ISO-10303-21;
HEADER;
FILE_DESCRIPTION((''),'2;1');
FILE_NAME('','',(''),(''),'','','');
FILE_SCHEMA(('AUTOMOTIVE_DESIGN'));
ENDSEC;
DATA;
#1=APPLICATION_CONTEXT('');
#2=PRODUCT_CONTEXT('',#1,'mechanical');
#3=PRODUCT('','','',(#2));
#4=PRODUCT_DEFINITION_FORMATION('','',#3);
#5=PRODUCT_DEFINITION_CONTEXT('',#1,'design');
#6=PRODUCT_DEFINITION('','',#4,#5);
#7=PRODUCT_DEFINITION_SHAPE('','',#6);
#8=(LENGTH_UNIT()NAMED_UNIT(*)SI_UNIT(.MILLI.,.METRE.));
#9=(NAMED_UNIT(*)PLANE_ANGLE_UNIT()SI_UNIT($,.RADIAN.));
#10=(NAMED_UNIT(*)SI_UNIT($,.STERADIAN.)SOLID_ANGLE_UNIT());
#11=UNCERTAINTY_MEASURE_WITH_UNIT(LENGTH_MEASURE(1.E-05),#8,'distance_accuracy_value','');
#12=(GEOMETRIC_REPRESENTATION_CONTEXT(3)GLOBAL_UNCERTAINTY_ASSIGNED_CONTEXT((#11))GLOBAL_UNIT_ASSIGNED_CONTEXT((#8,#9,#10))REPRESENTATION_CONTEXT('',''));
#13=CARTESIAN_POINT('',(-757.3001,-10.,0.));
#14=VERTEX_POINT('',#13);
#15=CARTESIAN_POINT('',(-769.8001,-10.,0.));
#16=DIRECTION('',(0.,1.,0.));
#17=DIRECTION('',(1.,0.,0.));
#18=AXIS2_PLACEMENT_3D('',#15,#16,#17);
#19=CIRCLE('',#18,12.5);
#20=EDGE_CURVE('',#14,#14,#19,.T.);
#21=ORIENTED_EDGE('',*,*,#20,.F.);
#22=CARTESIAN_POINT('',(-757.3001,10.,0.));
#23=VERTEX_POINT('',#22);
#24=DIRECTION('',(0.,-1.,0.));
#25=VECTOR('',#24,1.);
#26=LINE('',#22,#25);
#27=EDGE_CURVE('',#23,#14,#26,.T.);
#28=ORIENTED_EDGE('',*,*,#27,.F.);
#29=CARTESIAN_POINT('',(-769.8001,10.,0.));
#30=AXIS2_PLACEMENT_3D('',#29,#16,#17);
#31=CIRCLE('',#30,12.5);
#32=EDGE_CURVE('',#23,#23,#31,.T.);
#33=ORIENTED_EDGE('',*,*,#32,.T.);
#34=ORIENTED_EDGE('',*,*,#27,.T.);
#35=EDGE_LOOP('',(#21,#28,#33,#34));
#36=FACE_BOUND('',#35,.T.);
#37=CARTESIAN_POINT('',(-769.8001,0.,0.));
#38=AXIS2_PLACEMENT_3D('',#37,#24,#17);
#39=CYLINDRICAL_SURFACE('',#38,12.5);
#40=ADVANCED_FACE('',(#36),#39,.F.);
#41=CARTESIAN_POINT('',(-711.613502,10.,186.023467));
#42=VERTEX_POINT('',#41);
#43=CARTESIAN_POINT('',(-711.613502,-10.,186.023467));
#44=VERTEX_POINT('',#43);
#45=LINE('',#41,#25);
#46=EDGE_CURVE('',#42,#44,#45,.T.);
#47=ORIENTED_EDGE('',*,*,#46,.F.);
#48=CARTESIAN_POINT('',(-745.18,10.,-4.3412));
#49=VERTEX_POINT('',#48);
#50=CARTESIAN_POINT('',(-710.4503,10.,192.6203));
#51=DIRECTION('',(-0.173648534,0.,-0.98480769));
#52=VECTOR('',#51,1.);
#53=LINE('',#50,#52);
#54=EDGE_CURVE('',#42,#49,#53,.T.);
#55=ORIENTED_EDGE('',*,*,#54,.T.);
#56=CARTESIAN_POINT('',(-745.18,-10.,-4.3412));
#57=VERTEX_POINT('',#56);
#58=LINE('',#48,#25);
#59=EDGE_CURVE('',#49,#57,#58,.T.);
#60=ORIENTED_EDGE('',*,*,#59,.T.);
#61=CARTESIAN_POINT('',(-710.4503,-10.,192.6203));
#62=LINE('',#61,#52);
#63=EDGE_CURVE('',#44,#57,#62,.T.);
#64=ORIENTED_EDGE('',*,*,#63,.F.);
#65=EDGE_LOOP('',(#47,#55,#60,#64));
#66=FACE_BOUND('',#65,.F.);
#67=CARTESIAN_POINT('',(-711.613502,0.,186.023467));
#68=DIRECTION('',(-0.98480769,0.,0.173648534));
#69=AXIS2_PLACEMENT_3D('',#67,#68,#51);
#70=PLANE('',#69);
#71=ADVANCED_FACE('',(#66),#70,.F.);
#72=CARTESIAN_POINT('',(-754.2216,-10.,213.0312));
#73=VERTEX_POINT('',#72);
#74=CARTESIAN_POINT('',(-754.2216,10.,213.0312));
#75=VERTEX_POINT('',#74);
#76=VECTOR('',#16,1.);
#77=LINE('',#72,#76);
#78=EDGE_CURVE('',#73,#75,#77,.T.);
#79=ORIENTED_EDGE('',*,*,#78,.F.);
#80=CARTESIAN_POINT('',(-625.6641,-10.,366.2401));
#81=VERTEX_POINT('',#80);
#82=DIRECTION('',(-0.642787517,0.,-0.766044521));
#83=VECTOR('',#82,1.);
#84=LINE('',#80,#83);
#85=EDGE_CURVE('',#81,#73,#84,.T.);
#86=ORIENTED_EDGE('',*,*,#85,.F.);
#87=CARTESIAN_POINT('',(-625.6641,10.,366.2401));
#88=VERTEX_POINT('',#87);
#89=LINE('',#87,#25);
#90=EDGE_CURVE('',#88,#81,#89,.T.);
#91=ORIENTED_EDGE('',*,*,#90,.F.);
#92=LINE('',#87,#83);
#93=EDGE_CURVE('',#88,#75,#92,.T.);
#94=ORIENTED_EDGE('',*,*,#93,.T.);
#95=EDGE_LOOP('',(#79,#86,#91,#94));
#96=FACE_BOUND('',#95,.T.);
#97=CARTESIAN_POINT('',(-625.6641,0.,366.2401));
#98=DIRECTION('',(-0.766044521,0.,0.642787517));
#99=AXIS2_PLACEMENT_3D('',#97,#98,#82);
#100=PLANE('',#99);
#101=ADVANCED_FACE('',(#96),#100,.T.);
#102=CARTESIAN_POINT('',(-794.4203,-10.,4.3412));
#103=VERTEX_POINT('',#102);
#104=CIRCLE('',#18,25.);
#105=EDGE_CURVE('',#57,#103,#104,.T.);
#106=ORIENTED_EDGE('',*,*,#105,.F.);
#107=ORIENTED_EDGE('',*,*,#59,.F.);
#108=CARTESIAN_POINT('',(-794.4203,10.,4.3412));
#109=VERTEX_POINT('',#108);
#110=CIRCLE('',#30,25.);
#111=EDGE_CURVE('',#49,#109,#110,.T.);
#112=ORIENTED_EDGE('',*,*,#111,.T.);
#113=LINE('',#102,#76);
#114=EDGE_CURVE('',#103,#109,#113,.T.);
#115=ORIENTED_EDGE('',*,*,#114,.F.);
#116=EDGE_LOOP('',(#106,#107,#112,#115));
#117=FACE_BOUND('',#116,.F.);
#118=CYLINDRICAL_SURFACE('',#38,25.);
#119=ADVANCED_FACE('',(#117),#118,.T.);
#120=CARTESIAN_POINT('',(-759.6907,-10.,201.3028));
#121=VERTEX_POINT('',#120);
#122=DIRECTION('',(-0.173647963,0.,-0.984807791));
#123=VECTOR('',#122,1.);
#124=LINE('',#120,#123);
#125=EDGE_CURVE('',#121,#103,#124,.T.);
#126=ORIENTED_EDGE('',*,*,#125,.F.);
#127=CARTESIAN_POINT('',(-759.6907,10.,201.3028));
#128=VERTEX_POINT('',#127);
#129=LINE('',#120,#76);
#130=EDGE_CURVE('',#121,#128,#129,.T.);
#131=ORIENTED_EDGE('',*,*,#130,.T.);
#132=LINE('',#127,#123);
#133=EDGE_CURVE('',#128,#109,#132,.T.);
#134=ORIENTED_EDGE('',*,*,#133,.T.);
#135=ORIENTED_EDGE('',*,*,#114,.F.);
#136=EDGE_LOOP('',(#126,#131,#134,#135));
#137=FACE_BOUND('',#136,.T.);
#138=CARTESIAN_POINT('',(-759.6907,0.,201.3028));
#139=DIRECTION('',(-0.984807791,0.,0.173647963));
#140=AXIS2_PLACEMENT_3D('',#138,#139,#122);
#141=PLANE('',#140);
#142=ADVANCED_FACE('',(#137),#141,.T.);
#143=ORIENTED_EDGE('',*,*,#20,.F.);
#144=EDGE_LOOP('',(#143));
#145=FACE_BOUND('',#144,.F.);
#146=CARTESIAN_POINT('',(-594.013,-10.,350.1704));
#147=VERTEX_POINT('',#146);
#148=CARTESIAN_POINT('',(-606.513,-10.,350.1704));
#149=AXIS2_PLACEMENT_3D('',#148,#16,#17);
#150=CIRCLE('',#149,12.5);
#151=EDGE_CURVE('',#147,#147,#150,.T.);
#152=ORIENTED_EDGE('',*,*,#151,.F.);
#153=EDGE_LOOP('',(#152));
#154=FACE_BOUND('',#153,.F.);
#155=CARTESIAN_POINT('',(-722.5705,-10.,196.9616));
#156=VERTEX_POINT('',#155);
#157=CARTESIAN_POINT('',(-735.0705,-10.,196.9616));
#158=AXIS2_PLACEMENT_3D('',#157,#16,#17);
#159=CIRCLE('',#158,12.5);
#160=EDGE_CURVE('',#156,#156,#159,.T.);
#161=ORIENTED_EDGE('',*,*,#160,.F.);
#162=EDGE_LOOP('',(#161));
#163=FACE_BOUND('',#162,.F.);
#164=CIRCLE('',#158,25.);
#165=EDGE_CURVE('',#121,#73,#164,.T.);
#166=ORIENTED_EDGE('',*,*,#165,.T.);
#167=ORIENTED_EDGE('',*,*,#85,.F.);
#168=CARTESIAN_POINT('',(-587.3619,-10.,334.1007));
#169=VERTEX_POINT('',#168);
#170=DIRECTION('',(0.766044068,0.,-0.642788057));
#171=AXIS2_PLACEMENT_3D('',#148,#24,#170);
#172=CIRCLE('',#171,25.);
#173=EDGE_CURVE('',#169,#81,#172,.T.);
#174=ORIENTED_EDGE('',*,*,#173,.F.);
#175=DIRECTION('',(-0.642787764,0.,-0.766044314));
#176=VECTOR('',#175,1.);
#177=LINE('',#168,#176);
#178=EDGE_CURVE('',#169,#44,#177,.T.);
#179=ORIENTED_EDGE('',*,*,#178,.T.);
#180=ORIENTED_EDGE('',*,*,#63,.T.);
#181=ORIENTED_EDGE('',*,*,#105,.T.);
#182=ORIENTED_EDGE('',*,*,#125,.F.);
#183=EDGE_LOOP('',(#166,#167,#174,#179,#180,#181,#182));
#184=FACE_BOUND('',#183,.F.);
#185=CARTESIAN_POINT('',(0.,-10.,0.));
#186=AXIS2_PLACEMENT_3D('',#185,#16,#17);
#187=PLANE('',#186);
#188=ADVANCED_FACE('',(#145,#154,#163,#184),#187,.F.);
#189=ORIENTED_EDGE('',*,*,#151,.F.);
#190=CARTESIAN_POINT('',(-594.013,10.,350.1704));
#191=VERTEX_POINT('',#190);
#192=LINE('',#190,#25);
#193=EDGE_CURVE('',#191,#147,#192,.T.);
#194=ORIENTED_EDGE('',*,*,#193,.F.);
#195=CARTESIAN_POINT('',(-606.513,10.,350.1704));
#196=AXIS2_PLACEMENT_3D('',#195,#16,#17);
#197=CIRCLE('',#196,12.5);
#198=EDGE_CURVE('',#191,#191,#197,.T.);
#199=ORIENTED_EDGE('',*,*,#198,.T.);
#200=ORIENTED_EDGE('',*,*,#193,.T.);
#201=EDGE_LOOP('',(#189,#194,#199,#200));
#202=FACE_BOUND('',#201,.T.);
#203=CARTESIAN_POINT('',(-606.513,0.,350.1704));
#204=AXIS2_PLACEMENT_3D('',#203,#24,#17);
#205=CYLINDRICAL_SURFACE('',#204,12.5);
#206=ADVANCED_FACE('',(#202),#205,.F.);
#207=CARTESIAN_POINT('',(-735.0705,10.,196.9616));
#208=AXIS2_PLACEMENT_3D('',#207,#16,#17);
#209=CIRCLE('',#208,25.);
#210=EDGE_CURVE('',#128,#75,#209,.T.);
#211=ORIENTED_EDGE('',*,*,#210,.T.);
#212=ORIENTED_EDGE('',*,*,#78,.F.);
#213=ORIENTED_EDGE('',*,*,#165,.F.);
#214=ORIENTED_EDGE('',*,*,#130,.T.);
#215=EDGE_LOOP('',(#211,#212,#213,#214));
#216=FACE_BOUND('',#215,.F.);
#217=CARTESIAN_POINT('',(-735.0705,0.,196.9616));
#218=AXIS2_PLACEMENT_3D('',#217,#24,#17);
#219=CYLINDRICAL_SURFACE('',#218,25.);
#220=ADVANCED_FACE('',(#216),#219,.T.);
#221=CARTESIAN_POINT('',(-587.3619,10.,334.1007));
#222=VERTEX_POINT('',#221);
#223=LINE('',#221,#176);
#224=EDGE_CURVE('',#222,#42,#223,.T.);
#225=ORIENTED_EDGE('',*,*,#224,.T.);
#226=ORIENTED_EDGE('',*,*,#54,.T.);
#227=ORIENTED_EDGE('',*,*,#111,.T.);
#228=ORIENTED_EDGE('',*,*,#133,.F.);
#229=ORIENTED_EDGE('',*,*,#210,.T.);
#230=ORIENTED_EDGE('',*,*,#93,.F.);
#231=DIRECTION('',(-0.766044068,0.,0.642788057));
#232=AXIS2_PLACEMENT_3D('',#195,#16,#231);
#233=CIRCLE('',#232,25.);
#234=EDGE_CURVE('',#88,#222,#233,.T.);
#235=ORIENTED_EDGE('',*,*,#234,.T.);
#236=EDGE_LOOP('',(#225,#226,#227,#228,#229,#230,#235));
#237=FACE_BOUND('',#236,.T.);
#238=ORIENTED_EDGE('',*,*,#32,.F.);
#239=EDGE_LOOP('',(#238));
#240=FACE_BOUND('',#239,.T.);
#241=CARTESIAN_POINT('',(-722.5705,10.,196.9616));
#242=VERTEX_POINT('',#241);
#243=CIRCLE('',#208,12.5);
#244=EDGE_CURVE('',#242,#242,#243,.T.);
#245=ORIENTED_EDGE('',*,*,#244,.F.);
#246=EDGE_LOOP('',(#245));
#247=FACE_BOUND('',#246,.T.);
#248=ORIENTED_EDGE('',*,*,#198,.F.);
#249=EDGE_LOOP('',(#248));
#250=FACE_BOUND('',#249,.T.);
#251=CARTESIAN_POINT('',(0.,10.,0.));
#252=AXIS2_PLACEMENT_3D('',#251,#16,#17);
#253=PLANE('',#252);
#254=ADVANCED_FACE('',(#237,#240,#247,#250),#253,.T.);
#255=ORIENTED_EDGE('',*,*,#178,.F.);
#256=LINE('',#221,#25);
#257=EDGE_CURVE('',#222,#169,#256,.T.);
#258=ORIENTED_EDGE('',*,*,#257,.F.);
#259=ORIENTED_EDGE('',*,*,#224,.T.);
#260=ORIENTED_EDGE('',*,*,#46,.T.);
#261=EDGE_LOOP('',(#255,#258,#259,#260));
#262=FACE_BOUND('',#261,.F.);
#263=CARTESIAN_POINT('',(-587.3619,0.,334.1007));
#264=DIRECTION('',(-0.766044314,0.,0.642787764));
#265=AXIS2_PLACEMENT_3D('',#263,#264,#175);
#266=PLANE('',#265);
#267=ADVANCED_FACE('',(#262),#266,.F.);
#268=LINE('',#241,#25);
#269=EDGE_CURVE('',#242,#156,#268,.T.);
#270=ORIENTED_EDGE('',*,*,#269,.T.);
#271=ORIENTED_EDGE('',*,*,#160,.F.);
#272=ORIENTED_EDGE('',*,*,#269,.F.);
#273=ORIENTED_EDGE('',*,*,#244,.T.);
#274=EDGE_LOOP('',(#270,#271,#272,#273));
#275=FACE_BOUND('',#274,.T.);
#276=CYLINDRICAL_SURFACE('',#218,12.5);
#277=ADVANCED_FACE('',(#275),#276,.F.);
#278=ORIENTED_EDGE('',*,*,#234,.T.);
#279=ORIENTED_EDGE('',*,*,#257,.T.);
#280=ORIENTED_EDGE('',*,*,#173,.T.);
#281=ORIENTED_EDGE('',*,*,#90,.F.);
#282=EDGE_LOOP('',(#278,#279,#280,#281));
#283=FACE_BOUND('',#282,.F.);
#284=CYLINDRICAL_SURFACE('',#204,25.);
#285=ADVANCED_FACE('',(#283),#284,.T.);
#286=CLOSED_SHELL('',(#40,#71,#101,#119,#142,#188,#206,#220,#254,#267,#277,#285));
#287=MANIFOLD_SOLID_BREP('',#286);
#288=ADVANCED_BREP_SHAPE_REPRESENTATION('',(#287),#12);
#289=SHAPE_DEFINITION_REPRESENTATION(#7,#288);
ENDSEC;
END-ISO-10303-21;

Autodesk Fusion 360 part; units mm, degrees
sketch "Sketch1" plane through (0, 0, 0) normal (0, 1, 0) x (1, 0, 0)
  line L0 (0, 0) -> (-735.0705, 0) construction
  line L1 (0, 0) -> (-636.5897, -367.5353) construction
  line L2 (0, 0) -> (-735.0705, -196.9616) construction
  circle A0 centre (-735.0705, -196.9616) radius 25
  circle A1 centre (-735.0705, -196.9616) radius 12.5
  circle A2 centre (-700.3409, 0) radius 25
  circle A3 centre (-700.3409, 0) radius 12.5
  circle A4 centre (-666.6665, -384.9001) radius 25
  circle A5 centre (-666.6665, -384.9001) radius 12.5
  line L3 (-675.7207, -4.3412) -> (-710.4503, -201.3028)
  line L4 (-759.6907, -192.6203) -> (-724.9611, 4.3412)
  line L5 (-643.1742, -376.3496) -> (-711.5782, -188.411)
  line L6 (-690.1588, -393.4506) -> (-758.5628, -205.5121)
  line L7 (-666.6665, -384.9001) -> (-735.0705, -196.9616) construction
  line L8 (-735.0705, -196.9616) -> (-700.3409, 0) construction
  line L9 (-735.0705, -196.9616) -> (-735.0705, 0) construction
  line L10 (-735.0705, -196.9616) -> (-636.5897, -367.5353) construction
  dimension "d2" = 30
  dimension "d3" = 15
  dimension "d6" = 50
  dimension "d7" = 25
  dimension "d8" = 50
  dimension "d9" = 25
  dimension "d10" = 50
  dimension "d11" = 25
  dimension "d15" = 10
  dimension "d16" = 10
  dimension "d17" = 200
extrude "Extrude1" add sketch "Sketch1" along normal mid plane 20
equation "d3 = d2 / 2"
equation "d7 = d6 / 2"
equation "d8 = d6"
equation "d9 = d7"
equation "d10 = d6"
equation "d11 = d7"
equation "d16 = d15"

Autodesk Fusion 360 part; units mm, degrees
sketch "Sketch1" plane through (0, 0, 0) normal (0, 1, 0) x (1, 0, 0)
  line L0 (0, 0) -> (-735.0705, 0) construction
  line L1 (0, 0) -> (-636.5897, -367.5353) construction
  line L2 (0, 0) -> (-735.0705, -196.9616) construction
  circle A0 centre (-769.8001, 0) radius 25
  circle A1 centre (-606.513, -350.1704) radius 25
  circle A2 centre (-735.0705, -196.9616) radius 12.5
  circle A3 centre (-735.0705, -196.9616) radius 25
  line L3 (-759.6907, -201.3028) -> (-794.4203, -4.3412)
  line L4 (-710.4503, -192.6203) -> (-745.18, 4.3412)
  line L5 (-587.3619, -334.1007) -> (-715.9194, -180.8919)
  line L6 (-625.6641, -366.2401) -> (-754.2216, -213.0312)
  circle A4 centre (-769.8001, 0) radius 12.5
  circle A5 centre (-606.513, -350.1704) radius 12.5
  line L7 (-735.0705, 0) -> (-735.0705, -196.9616) construction
  line L8 (-636.5897, -367.5353) -> (-735.0705, -196.9616) construction
  line L9 (-735.0705, -196.9616) -> (-769.8001, 0) construction
  line L10 (-735.0705, -196.9616) -> (-606.513, -350.1704) construction
  dimension "d2" = 30
  dimension "d3" = 15
  dimension "d7" = 50
  dimension "d8" = 50
  dimension "d9" = 25
  dimension "d10" = 50
  dimension "d11" = 25
  dimension "d12" = 25
  dimension "d18" = 10
  dimension "d19" = 10
  dimension "d20" = 200
extrude "Extrude1" add sketch "Sketch1" along normal mid plane 20
equation "d2 = ( 90 / 3 ) * 1 deg"
equation "d3 = d2 / 2"
equation "d8 = d7"
equation "d9 = d7 / 2"
equation "d10 = d7"
equation "d11 = d9"
equation "d12 = d9"
equation "d19 = d18"
